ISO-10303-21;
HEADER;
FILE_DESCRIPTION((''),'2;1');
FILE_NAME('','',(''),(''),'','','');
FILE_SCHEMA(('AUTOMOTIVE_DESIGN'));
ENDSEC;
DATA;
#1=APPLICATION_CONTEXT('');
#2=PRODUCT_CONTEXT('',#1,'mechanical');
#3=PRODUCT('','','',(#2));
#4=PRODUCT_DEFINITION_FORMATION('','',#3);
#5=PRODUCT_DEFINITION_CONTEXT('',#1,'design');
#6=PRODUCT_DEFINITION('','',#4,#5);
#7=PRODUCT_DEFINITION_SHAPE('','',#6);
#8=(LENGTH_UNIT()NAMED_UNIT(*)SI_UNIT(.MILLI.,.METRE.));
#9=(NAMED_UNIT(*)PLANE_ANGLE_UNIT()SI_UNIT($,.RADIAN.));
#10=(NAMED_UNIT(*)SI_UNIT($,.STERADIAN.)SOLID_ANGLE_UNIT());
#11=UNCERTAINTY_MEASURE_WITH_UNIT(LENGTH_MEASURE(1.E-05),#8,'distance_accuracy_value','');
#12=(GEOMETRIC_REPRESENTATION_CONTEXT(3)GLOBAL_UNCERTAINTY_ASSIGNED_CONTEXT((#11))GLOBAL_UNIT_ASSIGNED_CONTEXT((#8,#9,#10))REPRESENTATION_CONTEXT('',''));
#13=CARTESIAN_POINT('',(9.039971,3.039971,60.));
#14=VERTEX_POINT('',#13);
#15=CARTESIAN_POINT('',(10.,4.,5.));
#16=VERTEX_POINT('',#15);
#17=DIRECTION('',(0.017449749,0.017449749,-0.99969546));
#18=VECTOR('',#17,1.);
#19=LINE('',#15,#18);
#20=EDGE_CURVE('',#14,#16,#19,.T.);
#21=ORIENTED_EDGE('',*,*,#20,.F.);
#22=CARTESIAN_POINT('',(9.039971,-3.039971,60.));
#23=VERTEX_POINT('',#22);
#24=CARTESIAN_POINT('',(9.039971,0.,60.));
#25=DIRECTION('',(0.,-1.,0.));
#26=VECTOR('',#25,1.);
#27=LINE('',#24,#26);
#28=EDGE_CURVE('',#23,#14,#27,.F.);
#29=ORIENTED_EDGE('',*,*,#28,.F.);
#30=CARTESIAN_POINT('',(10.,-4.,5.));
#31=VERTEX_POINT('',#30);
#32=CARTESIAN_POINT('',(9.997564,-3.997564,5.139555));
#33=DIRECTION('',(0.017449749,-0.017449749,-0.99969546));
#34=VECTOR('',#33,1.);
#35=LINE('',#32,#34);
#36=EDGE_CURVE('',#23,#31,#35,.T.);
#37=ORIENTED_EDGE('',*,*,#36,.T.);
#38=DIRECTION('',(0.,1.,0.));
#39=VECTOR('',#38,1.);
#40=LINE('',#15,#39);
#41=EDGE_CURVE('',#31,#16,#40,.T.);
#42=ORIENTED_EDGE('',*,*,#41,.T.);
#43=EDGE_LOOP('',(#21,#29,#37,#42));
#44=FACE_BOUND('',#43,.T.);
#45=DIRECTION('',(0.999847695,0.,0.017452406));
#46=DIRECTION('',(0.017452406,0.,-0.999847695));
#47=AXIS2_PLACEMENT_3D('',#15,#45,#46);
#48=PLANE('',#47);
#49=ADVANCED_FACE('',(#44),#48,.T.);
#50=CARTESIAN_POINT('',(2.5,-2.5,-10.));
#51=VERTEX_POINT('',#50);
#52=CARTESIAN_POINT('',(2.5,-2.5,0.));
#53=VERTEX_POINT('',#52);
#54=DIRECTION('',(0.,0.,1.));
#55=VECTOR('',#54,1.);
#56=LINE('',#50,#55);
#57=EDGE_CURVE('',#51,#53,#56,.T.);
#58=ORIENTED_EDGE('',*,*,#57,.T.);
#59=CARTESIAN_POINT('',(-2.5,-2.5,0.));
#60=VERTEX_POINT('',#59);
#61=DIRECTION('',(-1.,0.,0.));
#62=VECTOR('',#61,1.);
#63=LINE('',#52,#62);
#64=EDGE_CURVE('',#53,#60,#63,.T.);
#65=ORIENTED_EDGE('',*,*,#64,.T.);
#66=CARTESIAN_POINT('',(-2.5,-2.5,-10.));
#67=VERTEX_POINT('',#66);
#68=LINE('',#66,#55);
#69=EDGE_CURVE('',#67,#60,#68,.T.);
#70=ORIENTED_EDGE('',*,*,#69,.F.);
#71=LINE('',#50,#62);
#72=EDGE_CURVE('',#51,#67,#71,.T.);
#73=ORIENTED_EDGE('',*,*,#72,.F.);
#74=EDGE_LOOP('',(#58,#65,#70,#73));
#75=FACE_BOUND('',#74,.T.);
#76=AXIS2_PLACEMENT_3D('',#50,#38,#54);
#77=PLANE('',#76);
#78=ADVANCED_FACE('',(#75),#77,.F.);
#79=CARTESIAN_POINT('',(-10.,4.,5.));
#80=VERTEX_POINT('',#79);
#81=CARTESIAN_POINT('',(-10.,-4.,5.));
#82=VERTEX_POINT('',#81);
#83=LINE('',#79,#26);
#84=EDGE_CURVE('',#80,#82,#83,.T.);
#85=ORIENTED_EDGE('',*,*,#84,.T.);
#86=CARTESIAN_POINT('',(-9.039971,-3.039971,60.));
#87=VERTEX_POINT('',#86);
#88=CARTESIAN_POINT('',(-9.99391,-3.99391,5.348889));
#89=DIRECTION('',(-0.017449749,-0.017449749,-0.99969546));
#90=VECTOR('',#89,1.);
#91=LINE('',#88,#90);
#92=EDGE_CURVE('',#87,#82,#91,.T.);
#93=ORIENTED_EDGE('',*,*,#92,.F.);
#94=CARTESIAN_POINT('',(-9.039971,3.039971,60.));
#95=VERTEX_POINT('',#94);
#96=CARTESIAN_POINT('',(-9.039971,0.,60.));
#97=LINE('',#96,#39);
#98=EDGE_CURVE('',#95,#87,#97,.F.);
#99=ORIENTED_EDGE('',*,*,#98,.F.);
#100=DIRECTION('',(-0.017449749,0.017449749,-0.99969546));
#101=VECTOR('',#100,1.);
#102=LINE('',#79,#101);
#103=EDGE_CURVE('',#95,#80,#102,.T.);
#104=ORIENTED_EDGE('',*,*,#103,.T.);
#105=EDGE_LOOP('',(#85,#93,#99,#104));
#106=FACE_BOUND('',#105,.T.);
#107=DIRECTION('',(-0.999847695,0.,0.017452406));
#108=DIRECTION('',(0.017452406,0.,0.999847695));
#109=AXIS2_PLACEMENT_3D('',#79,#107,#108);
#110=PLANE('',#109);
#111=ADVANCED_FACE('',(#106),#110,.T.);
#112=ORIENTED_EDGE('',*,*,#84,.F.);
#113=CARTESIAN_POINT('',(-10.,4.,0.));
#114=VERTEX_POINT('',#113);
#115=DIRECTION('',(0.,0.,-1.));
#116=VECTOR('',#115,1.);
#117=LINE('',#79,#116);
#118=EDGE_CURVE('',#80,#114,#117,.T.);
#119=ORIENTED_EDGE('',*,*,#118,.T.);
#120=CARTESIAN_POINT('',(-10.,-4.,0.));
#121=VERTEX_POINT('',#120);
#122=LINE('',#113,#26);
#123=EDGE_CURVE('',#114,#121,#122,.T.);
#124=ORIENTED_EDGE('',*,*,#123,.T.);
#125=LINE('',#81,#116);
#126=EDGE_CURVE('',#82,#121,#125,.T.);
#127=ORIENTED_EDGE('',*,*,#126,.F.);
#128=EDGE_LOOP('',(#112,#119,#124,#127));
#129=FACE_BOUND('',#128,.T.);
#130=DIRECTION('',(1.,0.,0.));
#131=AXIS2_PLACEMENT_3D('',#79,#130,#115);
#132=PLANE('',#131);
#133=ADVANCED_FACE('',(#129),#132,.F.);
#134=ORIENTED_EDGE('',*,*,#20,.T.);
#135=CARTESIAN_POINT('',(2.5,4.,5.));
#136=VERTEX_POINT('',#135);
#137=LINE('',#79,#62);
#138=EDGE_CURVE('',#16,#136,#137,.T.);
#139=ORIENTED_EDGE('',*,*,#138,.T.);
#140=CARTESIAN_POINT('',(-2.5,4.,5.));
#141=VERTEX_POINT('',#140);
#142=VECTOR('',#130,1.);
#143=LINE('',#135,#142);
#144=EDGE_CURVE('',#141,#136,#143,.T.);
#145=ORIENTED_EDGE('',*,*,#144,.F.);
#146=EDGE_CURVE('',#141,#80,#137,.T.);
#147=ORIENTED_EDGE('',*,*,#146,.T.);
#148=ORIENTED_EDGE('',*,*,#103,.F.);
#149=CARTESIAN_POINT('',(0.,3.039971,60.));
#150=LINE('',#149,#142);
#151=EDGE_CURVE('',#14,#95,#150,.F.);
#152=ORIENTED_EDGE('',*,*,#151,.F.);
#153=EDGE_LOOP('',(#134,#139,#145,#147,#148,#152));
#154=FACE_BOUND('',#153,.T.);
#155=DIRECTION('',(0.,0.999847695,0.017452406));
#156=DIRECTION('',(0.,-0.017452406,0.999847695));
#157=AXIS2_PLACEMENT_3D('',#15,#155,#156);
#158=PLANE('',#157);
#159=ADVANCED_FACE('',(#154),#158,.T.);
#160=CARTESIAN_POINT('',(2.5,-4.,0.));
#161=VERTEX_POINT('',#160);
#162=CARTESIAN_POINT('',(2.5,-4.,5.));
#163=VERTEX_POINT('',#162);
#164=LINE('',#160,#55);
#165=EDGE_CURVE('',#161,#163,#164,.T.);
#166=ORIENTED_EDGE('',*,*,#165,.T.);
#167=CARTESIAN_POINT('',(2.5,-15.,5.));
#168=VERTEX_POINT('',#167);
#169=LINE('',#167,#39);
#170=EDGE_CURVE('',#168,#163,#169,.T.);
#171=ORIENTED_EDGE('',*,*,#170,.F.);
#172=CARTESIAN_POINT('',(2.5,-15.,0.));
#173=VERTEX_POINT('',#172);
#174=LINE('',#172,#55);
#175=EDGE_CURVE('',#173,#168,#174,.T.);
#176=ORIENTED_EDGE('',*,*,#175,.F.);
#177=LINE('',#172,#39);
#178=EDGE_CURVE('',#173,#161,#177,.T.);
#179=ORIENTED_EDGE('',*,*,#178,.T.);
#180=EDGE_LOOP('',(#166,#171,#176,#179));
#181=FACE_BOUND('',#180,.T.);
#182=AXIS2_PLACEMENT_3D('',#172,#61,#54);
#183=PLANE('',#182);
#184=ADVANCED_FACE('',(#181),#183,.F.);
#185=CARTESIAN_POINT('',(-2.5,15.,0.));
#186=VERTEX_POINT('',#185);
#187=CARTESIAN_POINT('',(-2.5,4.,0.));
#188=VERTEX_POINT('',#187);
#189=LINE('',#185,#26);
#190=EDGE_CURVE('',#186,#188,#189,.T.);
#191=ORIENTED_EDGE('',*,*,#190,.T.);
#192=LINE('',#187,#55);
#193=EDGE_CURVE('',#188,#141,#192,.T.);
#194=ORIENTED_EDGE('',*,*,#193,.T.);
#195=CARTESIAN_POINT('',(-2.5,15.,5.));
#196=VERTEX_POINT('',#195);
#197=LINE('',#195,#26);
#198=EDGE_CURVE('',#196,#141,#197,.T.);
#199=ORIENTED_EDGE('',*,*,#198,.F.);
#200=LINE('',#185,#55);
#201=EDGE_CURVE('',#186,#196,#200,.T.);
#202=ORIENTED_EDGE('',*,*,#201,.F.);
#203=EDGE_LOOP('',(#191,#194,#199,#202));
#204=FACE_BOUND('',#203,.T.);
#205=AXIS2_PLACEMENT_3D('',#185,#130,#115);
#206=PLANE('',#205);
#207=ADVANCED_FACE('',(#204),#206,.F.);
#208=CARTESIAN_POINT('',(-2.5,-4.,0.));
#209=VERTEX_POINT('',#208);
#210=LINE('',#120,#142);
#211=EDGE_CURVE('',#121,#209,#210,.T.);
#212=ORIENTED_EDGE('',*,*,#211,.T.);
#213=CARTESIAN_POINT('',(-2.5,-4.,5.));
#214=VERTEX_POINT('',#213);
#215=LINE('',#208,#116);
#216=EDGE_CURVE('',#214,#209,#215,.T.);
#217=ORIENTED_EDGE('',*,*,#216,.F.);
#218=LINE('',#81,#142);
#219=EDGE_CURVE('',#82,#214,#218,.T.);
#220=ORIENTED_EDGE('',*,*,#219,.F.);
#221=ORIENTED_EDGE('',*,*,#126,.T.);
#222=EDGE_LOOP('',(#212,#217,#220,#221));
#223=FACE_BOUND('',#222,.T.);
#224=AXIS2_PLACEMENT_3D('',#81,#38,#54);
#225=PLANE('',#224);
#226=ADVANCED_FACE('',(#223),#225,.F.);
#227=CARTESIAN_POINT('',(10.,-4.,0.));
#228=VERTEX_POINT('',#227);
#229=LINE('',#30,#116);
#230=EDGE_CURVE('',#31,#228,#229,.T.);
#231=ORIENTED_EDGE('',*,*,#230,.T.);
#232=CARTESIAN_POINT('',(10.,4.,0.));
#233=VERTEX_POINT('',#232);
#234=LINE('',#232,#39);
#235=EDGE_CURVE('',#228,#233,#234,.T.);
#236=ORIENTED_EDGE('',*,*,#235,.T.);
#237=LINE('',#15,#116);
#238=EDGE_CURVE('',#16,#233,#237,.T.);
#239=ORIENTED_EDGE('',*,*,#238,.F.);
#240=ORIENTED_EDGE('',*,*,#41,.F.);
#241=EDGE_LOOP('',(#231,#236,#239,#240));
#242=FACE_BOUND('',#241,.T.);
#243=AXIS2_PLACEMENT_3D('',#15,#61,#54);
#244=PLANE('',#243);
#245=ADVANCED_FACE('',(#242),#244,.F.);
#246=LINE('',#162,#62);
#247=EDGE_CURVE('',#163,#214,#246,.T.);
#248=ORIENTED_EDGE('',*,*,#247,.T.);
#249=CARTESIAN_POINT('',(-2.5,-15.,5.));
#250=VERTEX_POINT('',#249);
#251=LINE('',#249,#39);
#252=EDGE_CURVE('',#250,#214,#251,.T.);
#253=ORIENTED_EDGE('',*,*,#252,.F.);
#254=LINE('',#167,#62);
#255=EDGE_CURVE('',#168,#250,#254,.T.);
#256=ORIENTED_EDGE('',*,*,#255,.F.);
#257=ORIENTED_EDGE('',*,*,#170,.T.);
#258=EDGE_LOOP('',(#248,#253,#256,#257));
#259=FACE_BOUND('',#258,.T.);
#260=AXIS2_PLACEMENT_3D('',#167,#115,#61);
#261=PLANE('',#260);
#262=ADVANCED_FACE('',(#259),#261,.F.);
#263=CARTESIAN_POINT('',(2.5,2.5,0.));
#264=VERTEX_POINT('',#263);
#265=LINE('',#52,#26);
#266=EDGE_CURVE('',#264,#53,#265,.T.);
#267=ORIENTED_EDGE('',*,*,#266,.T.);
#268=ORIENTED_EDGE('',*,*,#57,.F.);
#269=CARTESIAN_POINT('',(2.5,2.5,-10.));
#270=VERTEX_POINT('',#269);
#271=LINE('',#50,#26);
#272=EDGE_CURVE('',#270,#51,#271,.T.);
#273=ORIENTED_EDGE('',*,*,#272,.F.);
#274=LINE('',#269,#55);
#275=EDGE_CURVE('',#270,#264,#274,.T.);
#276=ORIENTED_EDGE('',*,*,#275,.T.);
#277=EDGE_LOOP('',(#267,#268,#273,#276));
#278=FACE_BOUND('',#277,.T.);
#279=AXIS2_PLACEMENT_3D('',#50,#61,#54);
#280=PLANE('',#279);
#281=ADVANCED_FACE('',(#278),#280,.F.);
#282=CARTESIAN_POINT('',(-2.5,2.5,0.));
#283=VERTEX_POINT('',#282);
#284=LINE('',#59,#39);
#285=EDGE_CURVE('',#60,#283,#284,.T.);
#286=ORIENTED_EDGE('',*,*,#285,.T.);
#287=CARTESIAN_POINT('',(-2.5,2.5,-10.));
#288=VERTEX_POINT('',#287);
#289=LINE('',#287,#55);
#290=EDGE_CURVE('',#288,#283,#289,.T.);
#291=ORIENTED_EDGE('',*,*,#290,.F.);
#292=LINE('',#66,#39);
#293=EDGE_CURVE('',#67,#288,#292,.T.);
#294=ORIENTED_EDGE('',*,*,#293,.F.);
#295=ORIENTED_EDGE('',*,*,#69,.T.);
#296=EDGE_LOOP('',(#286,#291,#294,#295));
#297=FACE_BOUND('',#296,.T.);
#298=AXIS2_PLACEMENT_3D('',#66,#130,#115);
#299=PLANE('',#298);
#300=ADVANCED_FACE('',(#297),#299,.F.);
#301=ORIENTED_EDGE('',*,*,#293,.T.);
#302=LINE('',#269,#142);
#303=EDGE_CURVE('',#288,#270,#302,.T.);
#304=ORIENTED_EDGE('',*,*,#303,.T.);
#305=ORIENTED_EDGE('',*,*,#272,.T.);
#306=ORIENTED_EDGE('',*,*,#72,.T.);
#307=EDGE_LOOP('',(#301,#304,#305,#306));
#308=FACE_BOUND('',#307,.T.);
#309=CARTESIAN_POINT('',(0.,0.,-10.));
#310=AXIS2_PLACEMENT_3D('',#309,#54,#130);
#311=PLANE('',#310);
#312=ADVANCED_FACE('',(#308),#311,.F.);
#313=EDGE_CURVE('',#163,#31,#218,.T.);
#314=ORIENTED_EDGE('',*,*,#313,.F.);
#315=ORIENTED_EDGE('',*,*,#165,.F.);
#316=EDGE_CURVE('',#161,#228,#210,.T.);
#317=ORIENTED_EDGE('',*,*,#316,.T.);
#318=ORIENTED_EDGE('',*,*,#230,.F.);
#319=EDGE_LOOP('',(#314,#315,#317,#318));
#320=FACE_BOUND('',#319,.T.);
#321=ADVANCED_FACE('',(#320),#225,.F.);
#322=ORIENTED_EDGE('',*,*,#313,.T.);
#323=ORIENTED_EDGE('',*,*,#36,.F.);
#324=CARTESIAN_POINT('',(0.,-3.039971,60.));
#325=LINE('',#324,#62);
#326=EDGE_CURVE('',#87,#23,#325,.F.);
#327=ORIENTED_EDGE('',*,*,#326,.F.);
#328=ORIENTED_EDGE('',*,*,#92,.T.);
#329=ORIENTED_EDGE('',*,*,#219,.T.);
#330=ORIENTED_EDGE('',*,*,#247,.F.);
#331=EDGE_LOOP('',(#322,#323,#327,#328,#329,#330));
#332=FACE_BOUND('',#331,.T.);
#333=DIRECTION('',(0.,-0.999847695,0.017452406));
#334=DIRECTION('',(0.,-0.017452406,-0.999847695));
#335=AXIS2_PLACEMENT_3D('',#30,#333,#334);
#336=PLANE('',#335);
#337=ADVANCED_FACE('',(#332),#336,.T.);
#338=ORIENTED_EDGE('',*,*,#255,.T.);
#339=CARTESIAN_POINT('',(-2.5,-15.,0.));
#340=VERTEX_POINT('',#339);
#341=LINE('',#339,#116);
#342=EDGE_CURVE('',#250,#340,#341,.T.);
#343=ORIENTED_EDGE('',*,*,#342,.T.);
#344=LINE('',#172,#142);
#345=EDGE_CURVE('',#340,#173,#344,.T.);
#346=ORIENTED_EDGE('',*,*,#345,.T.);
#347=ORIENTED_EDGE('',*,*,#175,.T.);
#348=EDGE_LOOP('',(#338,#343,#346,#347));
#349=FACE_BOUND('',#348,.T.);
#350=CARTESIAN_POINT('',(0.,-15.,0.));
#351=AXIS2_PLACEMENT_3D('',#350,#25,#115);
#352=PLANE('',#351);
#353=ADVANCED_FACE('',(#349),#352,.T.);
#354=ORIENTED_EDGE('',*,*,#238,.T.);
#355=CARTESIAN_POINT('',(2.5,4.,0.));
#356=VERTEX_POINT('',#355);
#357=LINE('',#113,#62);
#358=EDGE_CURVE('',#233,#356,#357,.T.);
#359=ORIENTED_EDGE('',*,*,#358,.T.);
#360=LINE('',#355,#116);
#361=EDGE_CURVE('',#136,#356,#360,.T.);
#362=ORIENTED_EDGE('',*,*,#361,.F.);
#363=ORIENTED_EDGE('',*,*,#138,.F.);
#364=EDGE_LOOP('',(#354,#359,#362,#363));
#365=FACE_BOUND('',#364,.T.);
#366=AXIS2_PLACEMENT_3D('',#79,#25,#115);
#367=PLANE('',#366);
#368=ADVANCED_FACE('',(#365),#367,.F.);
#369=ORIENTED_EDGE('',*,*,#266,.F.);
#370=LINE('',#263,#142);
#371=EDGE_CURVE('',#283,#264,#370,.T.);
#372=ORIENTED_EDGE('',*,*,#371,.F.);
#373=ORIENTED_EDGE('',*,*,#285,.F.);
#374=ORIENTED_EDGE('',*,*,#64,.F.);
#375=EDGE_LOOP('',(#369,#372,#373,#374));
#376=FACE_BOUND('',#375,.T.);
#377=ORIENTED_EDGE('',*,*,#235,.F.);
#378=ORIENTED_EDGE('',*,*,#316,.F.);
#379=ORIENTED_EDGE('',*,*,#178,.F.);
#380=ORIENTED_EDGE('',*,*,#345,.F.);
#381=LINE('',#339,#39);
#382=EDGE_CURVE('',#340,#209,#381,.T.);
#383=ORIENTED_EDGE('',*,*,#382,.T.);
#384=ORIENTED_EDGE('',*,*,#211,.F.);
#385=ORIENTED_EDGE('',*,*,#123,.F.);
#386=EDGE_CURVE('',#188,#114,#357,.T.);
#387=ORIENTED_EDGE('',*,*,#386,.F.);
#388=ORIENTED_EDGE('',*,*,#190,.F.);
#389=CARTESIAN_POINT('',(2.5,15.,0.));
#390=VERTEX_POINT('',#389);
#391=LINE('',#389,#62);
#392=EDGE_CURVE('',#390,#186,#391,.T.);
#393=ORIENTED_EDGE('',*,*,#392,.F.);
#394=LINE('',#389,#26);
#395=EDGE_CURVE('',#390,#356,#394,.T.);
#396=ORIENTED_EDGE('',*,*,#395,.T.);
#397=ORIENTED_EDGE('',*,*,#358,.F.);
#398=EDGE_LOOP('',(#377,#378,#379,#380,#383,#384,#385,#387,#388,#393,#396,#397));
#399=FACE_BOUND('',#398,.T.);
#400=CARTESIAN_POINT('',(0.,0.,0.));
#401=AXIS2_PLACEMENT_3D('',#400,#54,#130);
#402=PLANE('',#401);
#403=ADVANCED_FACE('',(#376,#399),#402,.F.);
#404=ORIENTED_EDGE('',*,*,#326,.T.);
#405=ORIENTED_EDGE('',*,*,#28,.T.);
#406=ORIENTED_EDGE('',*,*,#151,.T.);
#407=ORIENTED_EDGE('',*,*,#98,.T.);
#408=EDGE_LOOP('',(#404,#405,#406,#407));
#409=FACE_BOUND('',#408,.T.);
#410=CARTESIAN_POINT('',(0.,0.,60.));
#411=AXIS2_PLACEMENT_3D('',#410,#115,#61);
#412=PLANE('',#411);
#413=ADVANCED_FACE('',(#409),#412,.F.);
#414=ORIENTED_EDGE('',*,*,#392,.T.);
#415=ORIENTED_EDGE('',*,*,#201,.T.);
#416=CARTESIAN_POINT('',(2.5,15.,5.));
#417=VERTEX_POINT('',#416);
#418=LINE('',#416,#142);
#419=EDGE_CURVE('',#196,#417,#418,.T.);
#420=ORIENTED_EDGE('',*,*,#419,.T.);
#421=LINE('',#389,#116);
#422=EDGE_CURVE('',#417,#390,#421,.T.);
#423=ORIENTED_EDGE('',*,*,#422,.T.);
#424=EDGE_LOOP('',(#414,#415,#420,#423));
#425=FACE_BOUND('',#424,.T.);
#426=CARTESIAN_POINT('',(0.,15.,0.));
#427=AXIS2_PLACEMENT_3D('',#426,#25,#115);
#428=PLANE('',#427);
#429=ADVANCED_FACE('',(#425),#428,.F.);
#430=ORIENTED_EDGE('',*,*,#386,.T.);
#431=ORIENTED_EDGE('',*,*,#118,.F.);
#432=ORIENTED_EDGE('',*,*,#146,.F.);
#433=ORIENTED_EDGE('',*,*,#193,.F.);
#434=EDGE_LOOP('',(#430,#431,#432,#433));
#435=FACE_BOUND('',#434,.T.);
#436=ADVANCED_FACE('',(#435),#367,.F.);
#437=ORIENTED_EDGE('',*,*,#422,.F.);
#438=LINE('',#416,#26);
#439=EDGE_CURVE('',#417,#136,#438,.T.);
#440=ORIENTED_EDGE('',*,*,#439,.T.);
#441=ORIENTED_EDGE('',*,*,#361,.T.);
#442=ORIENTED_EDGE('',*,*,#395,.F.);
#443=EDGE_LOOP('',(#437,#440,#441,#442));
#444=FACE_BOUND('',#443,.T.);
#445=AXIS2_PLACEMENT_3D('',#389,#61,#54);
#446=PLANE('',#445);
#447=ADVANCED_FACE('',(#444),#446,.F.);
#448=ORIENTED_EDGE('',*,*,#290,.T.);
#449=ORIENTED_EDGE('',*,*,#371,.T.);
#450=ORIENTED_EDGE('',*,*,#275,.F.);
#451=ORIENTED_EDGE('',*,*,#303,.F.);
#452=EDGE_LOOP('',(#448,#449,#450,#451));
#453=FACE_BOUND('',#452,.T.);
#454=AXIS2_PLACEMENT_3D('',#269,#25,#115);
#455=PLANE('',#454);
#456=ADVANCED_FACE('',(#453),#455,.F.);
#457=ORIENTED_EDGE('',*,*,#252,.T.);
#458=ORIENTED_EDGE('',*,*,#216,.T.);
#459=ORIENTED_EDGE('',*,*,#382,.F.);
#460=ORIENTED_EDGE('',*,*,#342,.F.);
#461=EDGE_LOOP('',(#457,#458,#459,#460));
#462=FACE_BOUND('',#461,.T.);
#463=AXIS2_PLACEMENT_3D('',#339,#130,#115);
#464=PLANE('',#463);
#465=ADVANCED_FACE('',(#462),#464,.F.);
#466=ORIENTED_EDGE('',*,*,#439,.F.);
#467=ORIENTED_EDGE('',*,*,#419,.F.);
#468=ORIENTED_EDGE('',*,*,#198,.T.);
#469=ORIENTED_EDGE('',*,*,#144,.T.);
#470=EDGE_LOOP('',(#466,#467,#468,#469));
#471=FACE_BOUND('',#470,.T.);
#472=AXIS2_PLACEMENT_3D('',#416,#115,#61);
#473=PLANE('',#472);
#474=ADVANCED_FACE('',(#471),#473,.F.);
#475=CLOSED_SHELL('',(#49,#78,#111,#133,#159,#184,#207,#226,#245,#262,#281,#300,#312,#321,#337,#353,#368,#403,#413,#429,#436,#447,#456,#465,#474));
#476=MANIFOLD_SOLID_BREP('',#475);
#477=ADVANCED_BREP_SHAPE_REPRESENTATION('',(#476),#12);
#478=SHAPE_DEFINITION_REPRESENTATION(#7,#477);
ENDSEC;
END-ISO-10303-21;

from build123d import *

# Parameters (mm, degrees)
SKETCH_1_W      = 20
SKETCH_1_H      = 8
EXTRUDE_1_DEPTH = 5
SKETCH_5_W      = 5
SKETCH_5_H      = 5
EXTRUDE_5_DEPTH = 10
SKETCH_8_W      = 20
SKETCH_8_H      = 8
EXTRUDE_6_DEPTH = 55
EXTRUDE_6_TAPER = 1
SKETCH_9_W      = 5
SKETCH_9_H      = 5
EXTRUDE_7_DEPTH = 11
SKETCH_10_W     = 5
SKETCH_10_H     = 5
EXTRUDE_8_DEPTH = 11


with BuildPart() as part:
    # ｽｹｯﾁ1 → ﾎﾞｽ - 押し出し1 (new body)
    with BuildSketch(Plane.XY):
        Rectangle(SKETCH_1_W, SKETCH_1_H)
    extrude(amount=EXTRUDE_1_DEPTH)

    # ｽｹｯﾁ5 → ﾎﾞｽ - 押し出し5 (add)
    with BuildSketch(Plane(origin=(0, 0, 0), x_dir=(-1, 0, 0), z_dir=(0, 0, -1))):
        Rectangle(SKETCH_5_W, SKETCH_5_H)
    extrude(amount=EXTRUDE_5_DEPTH)

    # ｽｹｯﾁ8 → ﾎﾞｽ - 押し出し6 (add)
    with BuildSketch(Plane.XY.offset(5)):
        Rectangle(SKETCH_8_W, SKETCH_8_H)
    extrude(amount=EXTRUDE_6_DEPTH, taper=EXTRUDE_6_TAPER)

    # ｽｹｯﾁ9 → ﾎﾞｽ - 押し出し7 (add)
    with BuildSketch(Plane(origin=(0, 4, 0), x_dir=(1, 0, 0), z_dir=(0, 1, 0))):
        with Locations((0, -2.5)):
            Rectangle(SKETCH_9_W, SKETCH_9_H)
    extrude(amount=EXTRUDE_7_DEPTH)

    # ｽｹｯﾁ10 → ﾎﾞｽ - 押し出し8 (add)
    with BuildSketch(Plane(origin=(0, -4, 0), x_dir=(-1, 0, 0), z_dir=(0, -1, 0))):
        with Locations((0, -2.5)):
            Rectangle(SKETCH_10_W, SKETCH_10_H)
    extrude(amount=EXTRUDE_8_DEPTH)


solid = part.part
